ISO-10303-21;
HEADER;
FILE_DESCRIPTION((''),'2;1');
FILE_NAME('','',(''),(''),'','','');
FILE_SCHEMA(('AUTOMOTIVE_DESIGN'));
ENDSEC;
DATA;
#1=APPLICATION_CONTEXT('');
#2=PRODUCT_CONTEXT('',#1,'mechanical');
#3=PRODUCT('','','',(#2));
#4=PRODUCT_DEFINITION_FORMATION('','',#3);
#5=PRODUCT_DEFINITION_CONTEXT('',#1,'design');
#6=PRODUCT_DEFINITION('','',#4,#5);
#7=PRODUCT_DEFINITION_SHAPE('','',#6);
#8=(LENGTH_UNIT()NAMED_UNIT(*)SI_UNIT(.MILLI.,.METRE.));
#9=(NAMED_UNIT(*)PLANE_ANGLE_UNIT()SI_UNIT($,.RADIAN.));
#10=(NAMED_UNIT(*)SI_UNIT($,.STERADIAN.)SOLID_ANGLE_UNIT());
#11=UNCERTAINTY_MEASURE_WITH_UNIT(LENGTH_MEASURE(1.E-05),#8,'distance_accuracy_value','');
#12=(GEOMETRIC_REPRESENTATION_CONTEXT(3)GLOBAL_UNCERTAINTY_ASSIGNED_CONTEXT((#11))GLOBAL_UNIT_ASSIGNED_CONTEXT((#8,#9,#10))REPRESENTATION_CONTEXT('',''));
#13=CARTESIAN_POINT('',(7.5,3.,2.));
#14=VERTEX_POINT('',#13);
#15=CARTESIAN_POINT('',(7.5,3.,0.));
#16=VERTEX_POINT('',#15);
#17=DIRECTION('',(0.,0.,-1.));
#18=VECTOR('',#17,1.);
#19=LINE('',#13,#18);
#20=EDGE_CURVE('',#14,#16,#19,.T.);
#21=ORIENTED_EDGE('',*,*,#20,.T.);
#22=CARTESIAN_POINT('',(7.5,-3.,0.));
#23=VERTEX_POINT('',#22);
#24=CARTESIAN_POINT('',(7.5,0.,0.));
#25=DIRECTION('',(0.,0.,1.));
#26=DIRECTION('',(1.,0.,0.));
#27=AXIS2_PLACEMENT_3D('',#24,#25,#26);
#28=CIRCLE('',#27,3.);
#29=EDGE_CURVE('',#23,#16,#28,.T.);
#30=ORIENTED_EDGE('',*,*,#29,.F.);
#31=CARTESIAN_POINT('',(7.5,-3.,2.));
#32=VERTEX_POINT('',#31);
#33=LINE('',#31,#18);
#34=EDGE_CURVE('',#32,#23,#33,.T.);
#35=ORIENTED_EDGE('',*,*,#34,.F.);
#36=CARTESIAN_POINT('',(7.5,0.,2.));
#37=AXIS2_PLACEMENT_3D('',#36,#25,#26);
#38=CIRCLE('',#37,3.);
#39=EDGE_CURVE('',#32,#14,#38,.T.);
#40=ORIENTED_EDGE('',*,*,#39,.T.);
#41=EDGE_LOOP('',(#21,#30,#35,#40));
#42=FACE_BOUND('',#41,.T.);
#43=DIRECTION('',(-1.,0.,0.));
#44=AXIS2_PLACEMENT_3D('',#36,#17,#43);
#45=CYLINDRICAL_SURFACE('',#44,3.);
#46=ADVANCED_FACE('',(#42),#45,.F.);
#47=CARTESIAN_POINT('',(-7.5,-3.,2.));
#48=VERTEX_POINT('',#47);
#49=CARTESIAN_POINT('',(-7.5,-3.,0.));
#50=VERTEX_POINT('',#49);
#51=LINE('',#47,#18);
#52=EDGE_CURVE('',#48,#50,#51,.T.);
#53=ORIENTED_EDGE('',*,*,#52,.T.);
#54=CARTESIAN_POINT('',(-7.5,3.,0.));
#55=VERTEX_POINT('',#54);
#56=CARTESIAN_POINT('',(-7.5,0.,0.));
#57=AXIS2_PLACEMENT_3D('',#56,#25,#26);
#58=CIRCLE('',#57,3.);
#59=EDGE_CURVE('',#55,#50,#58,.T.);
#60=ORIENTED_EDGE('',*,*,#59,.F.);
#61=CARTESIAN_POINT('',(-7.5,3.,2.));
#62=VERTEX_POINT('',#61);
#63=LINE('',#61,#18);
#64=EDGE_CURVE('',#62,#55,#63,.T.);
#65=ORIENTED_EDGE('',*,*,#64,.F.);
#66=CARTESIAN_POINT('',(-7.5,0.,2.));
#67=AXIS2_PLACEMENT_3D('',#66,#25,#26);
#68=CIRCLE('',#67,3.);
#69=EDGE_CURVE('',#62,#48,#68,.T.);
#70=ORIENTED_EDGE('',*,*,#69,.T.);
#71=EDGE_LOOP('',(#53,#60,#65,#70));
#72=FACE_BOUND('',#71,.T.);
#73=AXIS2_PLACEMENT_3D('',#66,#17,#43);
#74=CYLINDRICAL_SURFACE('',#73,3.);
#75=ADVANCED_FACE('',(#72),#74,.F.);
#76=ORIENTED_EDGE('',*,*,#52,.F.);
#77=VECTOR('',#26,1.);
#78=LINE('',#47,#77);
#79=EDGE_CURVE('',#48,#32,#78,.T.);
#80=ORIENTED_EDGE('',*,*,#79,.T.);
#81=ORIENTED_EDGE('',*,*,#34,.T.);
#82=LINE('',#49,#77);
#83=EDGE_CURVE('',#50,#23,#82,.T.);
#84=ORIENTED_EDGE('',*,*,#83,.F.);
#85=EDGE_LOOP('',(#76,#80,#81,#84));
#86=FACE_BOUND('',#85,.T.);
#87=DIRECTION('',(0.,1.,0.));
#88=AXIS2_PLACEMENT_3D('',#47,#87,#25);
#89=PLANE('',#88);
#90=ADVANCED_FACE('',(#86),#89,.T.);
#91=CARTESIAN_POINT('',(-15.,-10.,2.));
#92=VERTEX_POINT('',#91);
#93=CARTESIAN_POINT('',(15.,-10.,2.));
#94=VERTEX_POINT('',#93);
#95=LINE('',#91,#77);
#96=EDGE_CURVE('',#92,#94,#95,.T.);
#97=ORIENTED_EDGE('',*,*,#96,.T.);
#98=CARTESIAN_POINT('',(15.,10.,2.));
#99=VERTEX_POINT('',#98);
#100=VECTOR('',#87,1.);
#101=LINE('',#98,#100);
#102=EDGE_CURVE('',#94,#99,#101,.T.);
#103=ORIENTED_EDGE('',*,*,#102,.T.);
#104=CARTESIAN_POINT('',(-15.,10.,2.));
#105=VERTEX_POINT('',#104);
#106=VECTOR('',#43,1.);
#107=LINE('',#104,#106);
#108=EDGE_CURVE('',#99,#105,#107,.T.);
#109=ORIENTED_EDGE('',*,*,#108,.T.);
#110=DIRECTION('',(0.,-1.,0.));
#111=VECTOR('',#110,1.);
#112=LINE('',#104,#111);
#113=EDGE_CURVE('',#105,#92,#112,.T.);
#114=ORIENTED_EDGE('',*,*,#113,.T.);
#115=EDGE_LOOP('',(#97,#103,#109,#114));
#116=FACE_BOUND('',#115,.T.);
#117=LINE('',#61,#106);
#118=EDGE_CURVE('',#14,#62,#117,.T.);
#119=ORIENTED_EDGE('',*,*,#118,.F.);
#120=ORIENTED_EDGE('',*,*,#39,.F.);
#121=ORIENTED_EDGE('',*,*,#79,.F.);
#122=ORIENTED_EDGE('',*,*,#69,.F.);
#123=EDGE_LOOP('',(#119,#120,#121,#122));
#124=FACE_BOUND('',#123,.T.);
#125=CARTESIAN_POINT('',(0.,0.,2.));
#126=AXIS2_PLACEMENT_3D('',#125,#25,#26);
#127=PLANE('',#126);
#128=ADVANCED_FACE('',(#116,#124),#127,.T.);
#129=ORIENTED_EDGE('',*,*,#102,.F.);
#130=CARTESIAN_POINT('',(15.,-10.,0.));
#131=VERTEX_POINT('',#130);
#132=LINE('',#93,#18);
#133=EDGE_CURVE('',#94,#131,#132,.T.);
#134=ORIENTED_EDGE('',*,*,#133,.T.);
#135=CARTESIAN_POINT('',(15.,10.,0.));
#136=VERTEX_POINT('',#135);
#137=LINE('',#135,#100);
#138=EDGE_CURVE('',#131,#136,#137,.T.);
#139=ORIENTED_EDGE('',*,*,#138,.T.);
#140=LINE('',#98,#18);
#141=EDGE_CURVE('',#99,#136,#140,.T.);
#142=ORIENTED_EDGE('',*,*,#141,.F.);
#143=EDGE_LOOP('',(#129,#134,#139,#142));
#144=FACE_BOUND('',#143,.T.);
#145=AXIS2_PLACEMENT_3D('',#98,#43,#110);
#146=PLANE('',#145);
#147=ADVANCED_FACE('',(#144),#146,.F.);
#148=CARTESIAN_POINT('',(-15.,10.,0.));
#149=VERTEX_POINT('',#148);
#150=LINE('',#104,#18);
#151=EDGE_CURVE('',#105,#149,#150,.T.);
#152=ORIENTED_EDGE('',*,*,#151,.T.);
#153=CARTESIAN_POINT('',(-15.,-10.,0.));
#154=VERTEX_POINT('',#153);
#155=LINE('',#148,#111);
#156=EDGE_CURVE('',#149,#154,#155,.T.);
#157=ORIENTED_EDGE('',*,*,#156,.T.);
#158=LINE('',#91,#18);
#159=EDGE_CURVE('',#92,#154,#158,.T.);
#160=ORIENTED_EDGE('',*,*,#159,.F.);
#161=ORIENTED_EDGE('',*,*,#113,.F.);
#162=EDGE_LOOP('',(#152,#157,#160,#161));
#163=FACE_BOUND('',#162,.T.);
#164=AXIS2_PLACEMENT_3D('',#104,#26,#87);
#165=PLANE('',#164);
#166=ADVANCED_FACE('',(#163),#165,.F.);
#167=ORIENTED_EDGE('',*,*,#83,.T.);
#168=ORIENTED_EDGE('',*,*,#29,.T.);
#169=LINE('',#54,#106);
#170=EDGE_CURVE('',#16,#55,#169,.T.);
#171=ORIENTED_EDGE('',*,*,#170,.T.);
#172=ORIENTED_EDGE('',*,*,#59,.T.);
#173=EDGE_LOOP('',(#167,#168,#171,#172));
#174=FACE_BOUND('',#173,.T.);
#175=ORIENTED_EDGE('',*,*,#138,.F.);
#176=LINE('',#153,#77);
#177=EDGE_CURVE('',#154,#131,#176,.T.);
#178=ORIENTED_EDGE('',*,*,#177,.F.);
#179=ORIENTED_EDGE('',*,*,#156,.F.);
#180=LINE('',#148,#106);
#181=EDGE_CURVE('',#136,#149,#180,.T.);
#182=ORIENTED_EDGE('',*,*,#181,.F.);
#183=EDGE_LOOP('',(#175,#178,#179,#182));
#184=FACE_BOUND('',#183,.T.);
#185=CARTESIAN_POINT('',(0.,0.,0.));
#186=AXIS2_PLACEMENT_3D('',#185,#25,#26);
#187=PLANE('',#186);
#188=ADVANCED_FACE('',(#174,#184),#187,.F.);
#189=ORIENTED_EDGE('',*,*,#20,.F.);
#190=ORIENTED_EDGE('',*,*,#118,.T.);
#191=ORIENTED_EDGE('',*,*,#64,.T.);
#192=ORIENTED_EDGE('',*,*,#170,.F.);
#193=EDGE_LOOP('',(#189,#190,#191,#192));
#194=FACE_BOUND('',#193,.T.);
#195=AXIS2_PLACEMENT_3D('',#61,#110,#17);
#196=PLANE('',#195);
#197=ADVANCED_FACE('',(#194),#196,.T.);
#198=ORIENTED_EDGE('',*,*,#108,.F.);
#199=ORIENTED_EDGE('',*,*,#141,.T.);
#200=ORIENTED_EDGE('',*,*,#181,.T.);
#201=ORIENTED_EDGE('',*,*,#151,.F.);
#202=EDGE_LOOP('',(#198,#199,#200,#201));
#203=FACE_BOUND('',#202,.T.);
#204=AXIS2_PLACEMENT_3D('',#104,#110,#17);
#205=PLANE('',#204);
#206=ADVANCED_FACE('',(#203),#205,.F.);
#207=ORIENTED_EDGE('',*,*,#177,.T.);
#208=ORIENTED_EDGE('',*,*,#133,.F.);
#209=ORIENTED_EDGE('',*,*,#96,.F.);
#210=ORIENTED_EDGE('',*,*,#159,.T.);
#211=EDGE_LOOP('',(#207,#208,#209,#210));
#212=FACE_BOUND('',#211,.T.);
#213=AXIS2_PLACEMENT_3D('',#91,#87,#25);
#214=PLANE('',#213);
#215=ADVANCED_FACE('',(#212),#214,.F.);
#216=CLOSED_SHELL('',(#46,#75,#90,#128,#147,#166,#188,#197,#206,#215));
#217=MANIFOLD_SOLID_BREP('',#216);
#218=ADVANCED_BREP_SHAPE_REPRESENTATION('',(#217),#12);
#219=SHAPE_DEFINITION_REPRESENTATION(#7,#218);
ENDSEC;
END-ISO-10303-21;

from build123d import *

# Parameters (mm, degrees)
SKETCH_1_W      = 30
SKETCH_1_H      = 20
EXTRUDE_1_DEPTH = 2


with BuildPart() as part:
    # ｽｹｯﾁ1 → ﾎﾞｽ - 押し出し1 (new body)
    with BuildSketch(Plane.XY):
        Rectangle(SKETCH_1_W, SKETCH_1_H)
        with BuildLine():
            Line((-7.5, 3), (7.5, 3))
            ThreePointArc((7.5, 3), (10.5, 0), (7.5, -3))
            Line((7.5, -3), (-7.5, -3))
            ThreePointArc((-7.5, -3), (-10.5, 0), (-7.5, 3))
        make_face(mode=Mode.SUBTRACT)
    extrude(amount=EXTRUDE_1_DEPTH)


solid = part.part
